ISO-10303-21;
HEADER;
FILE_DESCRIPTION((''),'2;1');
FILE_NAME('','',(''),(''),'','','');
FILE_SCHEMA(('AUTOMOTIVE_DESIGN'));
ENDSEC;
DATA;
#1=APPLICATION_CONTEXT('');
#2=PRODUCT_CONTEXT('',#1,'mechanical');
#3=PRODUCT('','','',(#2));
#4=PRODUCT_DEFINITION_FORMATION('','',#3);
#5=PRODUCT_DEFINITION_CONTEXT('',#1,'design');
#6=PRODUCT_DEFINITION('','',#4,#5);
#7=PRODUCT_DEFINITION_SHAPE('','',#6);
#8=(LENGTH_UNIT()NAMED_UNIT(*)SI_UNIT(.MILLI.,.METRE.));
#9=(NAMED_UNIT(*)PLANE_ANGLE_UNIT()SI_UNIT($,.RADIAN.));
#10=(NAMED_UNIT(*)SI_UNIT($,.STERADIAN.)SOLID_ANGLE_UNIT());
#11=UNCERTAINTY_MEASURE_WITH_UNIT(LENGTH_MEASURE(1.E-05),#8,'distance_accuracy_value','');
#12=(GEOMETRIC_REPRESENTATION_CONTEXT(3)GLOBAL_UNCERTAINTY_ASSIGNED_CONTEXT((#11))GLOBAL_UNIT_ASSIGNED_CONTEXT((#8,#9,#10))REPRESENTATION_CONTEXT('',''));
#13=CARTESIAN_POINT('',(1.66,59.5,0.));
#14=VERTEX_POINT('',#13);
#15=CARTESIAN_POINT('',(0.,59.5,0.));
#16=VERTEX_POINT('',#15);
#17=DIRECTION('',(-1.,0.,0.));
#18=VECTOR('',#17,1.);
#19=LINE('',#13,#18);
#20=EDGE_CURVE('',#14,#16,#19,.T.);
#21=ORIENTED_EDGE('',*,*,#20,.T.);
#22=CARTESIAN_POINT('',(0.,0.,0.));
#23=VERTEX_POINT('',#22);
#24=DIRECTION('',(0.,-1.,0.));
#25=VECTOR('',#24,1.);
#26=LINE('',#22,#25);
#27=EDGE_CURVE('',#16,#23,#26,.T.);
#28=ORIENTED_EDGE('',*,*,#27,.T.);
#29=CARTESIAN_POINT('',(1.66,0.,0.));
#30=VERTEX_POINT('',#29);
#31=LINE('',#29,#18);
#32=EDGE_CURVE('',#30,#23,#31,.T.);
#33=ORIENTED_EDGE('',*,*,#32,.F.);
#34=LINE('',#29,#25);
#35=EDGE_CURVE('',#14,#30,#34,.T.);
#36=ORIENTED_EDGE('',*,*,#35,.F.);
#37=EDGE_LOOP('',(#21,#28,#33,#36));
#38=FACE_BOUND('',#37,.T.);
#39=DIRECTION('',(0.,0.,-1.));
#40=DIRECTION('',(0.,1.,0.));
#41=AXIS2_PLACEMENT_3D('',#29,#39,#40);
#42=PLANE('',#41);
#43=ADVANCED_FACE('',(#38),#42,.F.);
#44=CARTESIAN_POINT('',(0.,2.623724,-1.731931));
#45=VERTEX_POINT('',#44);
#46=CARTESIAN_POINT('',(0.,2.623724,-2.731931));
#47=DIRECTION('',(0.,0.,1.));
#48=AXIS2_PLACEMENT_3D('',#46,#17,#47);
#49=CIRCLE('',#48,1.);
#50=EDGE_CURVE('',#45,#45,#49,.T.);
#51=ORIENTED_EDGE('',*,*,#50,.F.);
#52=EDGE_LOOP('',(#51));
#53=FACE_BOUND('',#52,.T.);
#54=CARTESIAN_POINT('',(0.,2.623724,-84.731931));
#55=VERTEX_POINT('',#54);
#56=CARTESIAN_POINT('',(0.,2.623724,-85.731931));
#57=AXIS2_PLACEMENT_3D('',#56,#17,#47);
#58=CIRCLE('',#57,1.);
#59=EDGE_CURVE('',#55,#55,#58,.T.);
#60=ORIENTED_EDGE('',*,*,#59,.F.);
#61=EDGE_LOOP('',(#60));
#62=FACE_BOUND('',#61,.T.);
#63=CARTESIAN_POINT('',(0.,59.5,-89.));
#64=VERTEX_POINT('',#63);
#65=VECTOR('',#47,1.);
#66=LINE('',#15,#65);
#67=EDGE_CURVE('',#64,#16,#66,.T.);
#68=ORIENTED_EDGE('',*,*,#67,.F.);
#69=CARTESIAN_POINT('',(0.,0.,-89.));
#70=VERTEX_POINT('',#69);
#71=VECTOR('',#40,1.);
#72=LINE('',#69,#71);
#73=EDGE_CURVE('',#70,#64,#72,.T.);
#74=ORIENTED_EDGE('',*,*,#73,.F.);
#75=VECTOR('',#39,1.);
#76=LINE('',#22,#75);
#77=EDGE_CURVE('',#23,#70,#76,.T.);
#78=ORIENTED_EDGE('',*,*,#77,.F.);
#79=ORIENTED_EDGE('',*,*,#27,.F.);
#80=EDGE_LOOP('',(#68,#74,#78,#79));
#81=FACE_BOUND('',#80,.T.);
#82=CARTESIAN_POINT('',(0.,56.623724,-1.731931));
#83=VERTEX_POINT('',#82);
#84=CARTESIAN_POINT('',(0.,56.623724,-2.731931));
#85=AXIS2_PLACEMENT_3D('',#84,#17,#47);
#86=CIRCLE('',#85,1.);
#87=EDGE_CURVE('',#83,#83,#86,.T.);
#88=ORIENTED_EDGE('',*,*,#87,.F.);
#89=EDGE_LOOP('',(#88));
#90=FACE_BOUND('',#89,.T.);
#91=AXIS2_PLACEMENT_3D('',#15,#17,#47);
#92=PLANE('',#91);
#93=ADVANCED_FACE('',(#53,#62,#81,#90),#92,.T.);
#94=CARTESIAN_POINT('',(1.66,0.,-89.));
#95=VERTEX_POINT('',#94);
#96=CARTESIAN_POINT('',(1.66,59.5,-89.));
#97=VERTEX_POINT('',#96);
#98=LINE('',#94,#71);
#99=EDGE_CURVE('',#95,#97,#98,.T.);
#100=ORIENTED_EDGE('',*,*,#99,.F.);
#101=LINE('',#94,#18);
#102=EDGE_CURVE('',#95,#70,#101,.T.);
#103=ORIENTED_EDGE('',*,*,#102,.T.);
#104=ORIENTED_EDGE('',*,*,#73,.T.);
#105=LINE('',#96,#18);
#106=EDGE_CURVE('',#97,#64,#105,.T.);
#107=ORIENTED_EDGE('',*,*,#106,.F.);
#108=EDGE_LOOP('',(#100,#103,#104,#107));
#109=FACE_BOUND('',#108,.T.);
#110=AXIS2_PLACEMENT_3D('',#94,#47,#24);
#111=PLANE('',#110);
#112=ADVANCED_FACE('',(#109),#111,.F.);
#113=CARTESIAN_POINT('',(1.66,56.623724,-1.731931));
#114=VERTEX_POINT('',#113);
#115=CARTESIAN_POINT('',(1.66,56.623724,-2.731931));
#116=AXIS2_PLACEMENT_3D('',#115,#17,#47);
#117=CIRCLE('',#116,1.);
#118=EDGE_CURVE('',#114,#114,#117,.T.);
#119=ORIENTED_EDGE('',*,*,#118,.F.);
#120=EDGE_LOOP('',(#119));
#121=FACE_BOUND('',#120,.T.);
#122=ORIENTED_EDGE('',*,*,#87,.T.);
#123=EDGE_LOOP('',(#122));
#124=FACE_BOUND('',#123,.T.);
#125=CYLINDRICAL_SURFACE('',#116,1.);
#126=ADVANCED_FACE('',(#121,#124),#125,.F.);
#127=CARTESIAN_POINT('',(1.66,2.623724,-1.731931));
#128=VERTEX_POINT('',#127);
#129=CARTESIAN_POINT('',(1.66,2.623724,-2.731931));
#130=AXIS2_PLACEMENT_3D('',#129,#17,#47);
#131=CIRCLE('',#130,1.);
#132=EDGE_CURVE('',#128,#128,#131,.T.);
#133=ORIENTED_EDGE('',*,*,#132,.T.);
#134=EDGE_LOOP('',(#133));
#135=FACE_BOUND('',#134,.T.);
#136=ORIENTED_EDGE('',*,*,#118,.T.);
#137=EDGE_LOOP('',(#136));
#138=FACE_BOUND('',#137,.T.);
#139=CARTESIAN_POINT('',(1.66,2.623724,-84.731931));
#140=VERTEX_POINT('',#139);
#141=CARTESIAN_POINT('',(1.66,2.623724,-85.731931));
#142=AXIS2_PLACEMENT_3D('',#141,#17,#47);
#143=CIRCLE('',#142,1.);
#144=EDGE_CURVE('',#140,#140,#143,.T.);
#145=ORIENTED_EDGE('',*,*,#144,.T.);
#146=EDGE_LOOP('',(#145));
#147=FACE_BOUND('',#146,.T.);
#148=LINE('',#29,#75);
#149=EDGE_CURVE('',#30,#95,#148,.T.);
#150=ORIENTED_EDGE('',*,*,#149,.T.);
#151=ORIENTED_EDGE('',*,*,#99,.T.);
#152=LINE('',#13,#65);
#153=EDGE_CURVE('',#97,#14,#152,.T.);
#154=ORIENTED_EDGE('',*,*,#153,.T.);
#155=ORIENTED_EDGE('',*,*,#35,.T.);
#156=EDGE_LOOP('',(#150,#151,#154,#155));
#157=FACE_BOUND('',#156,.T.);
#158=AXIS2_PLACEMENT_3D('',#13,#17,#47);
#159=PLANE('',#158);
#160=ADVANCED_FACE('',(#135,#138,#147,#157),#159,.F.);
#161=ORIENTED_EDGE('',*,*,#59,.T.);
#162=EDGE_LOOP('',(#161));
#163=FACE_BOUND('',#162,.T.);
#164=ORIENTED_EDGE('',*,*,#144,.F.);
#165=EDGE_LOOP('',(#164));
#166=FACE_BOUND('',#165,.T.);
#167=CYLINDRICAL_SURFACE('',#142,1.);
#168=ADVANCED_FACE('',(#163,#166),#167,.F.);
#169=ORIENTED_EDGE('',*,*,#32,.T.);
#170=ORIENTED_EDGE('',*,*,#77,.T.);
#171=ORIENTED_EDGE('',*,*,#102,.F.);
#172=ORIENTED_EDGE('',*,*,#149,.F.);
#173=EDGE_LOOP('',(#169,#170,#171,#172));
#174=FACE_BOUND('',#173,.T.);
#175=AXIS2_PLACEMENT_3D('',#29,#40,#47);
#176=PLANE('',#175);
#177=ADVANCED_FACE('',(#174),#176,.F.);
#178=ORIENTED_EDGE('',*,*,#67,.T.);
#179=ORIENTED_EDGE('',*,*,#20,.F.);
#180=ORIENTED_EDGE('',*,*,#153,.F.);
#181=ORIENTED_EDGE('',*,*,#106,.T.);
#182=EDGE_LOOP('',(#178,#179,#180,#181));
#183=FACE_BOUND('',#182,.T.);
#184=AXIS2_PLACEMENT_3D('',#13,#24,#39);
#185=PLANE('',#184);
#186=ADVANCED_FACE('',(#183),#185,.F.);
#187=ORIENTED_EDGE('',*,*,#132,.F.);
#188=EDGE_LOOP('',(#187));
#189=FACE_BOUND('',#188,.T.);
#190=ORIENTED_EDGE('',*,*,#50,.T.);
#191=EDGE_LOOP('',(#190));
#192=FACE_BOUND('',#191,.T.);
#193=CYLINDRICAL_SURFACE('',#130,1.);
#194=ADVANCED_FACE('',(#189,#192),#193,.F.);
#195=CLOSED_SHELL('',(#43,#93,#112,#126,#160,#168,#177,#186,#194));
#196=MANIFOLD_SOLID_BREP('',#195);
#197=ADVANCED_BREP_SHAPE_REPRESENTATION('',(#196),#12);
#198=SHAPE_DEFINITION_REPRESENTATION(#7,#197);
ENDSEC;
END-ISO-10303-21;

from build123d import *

# Parameters (mm, degrees)
ESBO_O1_W                = 89
ESBO_O1_H                = 59.5
RESSALTO_EXTRUS_O1_DEPTH = 1.66
ESBO_O2_R                = 1
CORTE_EXTRUS_O1_DEPTH    = 2.66


with BuildPart() as part:
    # Esboço1 → Ressalto-extrusão1 (new body)
    with BuildSketch(Plane(origin=(0, 0, 0), x_dir=(0, 0, -1), z_dir=(1, 0, 0))):
        with Locations((44.5, 29.75)):
            Rectangle(ESBO_O1_W, ESBO_O1_H)
    extrude(amount=RESSALTO_EXTRUS_O1_DEPTH)

    # Esboço2 → Corte-extrusão1 (cut, through all)
    with BuildSketch(Plane.ZY):
        with Locations((-85.731930575, 2.62372378)):
            Circle(ESBO_O2_R)
        with Locations((-2.731930575, 2.62372378)):
            Circle(ESBO_O2_R)
        with Locations((-2.731930575, 56.62372378)):
            Circle(ESBO_O2_R)
    extrude(amount=-CORTE_EXTRUS_O1_DEPTH, mode=Mode.SUBTRACT)


solid = part.part
